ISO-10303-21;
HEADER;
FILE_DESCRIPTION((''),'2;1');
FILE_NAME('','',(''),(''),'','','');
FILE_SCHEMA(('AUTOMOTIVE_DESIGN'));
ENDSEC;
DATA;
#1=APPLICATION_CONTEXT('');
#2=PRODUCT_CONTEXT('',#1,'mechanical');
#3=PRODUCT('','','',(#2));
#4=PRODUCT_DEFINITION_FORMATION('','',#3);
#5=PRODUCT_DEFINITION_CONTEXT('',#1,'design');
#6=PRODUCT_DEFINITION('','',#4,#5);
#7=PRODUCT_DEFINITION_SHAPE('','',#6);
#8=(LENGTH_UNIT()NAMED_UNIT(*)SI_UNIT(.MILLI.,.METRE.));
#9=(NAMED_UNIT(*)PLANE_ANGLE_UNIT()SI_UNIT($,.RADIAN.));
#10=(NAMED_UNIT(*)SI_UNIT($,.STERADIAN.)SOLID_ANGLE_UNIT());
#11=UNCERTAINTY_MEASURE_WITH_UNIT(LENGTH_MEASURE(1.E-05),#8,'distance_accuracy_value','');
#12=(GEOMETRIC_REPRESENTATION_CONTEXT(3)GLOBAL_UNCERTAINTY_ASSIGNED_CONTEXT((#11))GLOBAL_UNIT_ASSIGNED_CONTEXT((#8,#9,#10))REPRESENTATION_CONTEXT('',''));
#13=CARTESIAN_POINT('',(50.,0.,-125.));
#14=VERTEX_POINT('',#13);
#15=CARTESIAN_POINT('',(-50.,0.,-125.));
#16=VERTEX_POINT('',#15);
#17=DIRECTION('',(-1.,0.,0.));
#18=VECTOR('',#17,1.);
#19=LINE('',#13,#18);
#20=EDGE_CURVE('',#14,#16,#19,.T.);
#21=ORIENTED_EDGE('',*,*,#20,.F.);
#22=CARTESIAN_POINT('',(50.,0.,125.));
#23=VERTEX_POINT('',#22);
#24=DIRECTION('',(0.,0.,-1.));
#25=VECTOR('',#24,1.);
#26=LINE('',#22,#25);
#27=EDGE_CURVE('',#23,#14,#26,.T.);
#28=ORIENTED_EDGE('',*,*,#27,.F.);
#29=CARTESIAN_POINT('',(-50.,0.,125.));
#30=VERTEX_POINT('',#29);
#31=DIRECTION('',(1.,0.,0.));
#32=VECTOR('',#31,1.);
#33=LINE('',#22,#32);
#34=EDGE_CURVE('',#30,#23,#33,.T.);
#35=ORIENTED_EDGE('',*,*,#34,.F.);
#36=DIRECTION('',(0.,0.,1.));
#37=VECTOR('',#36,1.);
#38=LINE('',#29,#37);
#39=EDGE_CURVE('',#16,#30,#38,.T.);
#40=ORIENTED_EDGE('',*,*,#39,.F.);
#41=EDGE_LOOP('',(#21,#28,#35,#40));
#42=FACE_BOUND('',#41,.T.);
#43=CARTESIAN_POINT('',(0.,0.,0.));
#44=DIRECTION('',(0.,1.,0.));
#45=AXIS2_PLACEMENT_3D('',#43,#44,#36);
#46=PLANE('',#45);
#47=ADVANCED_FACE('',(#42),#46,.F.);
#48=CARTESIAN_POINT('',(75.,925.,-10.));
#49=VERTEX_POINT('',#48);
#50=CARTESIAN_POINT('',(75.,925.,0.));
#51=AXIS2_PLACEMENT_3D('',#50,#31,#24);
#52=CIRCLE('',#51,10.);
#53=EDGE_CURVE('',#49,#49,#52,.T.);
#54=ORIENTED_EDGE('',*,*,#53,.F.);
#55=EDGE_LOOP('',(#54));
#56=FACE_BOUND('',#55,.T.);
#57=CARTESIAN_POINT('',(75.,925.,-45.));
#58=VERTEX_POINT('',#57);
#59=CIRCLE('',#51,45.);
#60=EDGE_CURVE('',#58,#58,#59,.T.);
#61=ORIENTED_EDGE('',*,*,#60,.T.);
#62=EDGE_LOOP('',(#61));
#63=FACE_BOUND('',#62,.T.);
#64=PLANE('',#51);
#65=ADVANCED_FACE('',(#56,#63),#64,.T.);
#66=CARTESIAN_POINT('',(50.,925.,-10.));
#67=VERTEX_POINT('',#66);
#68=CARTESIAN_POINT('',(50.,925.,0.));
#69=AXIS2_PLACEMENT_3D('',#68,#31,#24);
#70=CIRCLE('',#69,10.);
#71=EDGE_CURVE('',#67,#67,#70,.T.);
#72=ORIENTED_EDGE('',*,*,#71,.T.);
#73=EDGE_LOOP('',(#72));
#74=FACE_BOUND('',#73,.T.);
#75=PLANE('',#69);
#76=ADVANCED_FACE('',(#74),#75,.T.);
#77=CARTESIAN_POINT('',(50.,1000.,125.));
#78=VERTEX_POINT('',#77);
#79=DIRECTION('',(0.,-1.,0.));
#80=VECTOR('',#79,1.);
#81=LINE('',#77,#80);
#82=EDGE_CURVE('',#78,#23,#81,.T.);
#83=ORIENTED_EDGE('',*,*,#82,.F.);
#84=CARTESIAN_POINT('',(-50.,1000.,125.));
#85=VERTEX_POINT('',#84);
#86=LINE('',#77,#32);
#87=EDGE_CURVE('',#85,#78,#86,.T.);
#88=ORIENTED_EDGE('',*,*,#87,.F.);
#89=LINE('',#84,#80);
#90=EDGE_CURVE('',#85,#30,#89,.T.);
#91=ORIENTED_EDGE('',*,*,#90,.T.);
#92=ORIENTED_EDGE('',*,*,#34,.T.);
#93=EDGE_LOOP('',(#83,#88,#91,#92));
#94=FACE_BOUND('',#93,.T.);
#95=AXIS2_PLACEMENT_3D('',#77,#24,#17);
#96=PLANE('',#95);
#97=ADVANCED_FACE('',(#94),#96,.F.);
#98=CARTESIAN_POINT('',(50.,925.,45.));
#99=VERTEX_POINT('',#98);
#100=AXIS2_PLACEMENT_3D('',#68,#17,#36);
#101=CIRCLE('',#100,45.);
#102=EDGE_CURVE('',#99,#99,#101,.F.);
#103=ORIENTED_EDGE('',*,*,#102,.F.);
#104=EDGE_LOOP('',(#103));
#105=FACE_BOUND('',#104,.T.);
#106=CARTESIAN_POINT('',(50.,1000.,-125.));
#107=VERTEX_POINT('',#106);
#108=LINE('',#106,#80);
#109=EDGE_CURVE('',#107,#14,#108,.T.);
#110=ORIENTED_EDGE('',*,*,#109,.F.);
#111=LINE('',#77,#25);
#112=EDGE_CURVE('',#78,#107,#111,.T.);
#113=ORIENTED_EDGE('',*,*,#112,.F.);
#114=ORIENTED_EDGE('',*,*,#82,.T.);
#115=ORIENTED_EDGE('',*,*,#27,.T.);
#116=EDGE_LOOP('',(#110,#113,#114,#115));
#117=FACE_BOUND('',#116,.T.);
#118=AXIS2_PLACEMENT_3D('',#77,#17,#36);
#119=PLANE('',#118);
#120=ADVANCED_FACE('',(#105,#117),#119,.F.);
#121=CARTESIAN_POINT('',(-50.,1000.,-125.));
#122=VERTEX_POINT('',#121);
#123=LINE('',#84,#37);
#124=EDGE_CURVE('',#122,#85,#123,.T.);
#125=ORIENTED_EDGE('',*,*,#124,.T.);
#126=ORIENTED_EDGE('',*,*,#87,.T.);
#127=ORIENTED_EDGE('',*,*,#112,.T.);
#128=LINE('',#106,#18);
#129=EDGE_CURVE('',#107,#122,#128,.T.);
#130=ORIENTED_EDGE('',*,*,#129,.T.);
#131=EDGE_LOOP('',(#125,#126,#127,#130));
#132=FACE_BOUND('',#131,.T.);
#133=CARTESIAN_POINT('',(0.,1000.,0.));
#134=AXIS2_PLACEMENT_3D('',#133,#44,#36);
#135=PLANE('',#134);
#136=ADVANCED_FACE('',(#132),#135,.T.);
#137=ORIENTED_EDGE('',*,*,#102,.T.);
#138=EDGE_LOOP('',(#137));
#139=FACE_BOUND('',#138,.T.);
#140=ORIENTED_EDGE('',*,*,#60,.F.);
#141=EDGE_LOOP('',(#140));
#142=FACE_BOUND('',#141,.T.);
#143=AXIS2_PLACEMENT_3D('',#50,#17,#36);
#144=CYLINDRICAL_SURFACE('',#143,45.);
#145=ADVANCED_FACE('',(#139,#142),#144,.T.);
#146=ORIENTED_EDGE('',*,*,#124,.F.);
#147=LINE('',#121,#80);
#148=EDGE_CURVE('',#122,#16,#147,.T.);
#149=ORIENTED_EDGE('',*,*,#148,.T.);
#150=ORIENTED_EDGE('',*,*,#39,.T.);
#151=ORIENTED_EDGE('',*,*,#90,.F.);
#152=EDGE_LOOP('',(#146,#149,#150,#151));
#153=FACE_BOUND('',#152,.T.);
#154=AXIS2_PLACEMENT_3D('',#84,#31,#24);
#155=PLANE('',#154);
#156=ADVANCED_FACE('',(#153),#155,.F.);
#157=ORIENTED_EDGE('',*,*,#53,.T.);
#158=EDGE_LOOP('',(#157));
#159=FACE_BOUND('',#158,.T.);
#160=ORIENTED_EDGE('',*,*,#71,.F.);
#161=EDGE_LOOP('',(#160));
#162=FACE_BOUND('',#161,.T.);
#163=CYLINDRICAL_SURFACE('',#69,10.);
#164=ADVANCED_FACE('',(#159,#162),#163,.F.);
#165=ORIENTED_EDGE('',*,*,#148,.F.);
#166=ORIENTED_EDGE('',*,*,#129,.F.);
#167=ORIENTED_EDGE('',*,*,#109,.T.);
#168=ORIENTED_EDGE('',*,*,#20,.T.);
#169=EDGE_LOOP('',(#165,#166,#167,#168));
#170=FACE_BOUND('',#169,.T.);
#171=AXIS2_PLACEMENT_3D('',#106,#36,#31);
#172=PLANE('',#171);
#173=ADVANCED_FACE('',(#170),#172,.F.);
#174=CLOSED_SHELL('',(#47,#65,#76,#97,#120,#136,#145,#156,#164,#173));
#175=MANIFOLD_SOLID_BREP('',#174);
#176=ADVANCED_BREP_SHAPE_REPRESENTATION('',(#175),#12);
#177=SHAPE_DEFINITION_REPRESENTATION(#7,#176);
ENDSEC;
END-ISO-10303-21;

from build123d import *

# Parameters (mm, degrees)
SKETCH1_W           = 100
SKETCH1_H           = 250
BOSS_EXTRUDE1_DEPTH = 1000
SKETCH2_R           = 45
BOSS_EXTRUDE2_DEPTH = 25
SKETCH3_R           = 10
CUT_EXTRUDE1_DEPTH  = 25


with BuildPart() as part:
    # Sketch1 → Boss-Extrude1 (new body)
    with BuildSketch(Plane(origin=(0, 0, 0), x_dir=(1, 0, 0), z_dir=(0, 1, 0))):
        Rectangle(SKETCH1_W, SKETCH1_H)
    extrude(amount=BOSS_EXTRUDE1_DEPTH)

    # Sketch2 → Boss-Extrude2 (add)
    with BuildSketch(Plane(origin=(50, 0, 0), x_dir=(0, 0, -1), z_dir=(1, 0, 0))):
        with Locations(Location((0, 925, 0), (0, 0, 180))):
            Circle(SKETCH2_R)
    extrude(amount=BOSS_EXTRUDE2_DEPTH)

    # Sketch3 → Cut-Extrude1 (cut)
    with BuildSketch(Plane(origin=(75, 0, 0), x_dir=(0, 0, -1), z_dir=(1, 0, 0))):
        with Locations((0, 925)):
            Circle(SKETCH3_R)
    extrude(amount=-CUT_EXTRUDE1_DEPTH, mode=Mode.SUBTRACT)


solid = part.part
